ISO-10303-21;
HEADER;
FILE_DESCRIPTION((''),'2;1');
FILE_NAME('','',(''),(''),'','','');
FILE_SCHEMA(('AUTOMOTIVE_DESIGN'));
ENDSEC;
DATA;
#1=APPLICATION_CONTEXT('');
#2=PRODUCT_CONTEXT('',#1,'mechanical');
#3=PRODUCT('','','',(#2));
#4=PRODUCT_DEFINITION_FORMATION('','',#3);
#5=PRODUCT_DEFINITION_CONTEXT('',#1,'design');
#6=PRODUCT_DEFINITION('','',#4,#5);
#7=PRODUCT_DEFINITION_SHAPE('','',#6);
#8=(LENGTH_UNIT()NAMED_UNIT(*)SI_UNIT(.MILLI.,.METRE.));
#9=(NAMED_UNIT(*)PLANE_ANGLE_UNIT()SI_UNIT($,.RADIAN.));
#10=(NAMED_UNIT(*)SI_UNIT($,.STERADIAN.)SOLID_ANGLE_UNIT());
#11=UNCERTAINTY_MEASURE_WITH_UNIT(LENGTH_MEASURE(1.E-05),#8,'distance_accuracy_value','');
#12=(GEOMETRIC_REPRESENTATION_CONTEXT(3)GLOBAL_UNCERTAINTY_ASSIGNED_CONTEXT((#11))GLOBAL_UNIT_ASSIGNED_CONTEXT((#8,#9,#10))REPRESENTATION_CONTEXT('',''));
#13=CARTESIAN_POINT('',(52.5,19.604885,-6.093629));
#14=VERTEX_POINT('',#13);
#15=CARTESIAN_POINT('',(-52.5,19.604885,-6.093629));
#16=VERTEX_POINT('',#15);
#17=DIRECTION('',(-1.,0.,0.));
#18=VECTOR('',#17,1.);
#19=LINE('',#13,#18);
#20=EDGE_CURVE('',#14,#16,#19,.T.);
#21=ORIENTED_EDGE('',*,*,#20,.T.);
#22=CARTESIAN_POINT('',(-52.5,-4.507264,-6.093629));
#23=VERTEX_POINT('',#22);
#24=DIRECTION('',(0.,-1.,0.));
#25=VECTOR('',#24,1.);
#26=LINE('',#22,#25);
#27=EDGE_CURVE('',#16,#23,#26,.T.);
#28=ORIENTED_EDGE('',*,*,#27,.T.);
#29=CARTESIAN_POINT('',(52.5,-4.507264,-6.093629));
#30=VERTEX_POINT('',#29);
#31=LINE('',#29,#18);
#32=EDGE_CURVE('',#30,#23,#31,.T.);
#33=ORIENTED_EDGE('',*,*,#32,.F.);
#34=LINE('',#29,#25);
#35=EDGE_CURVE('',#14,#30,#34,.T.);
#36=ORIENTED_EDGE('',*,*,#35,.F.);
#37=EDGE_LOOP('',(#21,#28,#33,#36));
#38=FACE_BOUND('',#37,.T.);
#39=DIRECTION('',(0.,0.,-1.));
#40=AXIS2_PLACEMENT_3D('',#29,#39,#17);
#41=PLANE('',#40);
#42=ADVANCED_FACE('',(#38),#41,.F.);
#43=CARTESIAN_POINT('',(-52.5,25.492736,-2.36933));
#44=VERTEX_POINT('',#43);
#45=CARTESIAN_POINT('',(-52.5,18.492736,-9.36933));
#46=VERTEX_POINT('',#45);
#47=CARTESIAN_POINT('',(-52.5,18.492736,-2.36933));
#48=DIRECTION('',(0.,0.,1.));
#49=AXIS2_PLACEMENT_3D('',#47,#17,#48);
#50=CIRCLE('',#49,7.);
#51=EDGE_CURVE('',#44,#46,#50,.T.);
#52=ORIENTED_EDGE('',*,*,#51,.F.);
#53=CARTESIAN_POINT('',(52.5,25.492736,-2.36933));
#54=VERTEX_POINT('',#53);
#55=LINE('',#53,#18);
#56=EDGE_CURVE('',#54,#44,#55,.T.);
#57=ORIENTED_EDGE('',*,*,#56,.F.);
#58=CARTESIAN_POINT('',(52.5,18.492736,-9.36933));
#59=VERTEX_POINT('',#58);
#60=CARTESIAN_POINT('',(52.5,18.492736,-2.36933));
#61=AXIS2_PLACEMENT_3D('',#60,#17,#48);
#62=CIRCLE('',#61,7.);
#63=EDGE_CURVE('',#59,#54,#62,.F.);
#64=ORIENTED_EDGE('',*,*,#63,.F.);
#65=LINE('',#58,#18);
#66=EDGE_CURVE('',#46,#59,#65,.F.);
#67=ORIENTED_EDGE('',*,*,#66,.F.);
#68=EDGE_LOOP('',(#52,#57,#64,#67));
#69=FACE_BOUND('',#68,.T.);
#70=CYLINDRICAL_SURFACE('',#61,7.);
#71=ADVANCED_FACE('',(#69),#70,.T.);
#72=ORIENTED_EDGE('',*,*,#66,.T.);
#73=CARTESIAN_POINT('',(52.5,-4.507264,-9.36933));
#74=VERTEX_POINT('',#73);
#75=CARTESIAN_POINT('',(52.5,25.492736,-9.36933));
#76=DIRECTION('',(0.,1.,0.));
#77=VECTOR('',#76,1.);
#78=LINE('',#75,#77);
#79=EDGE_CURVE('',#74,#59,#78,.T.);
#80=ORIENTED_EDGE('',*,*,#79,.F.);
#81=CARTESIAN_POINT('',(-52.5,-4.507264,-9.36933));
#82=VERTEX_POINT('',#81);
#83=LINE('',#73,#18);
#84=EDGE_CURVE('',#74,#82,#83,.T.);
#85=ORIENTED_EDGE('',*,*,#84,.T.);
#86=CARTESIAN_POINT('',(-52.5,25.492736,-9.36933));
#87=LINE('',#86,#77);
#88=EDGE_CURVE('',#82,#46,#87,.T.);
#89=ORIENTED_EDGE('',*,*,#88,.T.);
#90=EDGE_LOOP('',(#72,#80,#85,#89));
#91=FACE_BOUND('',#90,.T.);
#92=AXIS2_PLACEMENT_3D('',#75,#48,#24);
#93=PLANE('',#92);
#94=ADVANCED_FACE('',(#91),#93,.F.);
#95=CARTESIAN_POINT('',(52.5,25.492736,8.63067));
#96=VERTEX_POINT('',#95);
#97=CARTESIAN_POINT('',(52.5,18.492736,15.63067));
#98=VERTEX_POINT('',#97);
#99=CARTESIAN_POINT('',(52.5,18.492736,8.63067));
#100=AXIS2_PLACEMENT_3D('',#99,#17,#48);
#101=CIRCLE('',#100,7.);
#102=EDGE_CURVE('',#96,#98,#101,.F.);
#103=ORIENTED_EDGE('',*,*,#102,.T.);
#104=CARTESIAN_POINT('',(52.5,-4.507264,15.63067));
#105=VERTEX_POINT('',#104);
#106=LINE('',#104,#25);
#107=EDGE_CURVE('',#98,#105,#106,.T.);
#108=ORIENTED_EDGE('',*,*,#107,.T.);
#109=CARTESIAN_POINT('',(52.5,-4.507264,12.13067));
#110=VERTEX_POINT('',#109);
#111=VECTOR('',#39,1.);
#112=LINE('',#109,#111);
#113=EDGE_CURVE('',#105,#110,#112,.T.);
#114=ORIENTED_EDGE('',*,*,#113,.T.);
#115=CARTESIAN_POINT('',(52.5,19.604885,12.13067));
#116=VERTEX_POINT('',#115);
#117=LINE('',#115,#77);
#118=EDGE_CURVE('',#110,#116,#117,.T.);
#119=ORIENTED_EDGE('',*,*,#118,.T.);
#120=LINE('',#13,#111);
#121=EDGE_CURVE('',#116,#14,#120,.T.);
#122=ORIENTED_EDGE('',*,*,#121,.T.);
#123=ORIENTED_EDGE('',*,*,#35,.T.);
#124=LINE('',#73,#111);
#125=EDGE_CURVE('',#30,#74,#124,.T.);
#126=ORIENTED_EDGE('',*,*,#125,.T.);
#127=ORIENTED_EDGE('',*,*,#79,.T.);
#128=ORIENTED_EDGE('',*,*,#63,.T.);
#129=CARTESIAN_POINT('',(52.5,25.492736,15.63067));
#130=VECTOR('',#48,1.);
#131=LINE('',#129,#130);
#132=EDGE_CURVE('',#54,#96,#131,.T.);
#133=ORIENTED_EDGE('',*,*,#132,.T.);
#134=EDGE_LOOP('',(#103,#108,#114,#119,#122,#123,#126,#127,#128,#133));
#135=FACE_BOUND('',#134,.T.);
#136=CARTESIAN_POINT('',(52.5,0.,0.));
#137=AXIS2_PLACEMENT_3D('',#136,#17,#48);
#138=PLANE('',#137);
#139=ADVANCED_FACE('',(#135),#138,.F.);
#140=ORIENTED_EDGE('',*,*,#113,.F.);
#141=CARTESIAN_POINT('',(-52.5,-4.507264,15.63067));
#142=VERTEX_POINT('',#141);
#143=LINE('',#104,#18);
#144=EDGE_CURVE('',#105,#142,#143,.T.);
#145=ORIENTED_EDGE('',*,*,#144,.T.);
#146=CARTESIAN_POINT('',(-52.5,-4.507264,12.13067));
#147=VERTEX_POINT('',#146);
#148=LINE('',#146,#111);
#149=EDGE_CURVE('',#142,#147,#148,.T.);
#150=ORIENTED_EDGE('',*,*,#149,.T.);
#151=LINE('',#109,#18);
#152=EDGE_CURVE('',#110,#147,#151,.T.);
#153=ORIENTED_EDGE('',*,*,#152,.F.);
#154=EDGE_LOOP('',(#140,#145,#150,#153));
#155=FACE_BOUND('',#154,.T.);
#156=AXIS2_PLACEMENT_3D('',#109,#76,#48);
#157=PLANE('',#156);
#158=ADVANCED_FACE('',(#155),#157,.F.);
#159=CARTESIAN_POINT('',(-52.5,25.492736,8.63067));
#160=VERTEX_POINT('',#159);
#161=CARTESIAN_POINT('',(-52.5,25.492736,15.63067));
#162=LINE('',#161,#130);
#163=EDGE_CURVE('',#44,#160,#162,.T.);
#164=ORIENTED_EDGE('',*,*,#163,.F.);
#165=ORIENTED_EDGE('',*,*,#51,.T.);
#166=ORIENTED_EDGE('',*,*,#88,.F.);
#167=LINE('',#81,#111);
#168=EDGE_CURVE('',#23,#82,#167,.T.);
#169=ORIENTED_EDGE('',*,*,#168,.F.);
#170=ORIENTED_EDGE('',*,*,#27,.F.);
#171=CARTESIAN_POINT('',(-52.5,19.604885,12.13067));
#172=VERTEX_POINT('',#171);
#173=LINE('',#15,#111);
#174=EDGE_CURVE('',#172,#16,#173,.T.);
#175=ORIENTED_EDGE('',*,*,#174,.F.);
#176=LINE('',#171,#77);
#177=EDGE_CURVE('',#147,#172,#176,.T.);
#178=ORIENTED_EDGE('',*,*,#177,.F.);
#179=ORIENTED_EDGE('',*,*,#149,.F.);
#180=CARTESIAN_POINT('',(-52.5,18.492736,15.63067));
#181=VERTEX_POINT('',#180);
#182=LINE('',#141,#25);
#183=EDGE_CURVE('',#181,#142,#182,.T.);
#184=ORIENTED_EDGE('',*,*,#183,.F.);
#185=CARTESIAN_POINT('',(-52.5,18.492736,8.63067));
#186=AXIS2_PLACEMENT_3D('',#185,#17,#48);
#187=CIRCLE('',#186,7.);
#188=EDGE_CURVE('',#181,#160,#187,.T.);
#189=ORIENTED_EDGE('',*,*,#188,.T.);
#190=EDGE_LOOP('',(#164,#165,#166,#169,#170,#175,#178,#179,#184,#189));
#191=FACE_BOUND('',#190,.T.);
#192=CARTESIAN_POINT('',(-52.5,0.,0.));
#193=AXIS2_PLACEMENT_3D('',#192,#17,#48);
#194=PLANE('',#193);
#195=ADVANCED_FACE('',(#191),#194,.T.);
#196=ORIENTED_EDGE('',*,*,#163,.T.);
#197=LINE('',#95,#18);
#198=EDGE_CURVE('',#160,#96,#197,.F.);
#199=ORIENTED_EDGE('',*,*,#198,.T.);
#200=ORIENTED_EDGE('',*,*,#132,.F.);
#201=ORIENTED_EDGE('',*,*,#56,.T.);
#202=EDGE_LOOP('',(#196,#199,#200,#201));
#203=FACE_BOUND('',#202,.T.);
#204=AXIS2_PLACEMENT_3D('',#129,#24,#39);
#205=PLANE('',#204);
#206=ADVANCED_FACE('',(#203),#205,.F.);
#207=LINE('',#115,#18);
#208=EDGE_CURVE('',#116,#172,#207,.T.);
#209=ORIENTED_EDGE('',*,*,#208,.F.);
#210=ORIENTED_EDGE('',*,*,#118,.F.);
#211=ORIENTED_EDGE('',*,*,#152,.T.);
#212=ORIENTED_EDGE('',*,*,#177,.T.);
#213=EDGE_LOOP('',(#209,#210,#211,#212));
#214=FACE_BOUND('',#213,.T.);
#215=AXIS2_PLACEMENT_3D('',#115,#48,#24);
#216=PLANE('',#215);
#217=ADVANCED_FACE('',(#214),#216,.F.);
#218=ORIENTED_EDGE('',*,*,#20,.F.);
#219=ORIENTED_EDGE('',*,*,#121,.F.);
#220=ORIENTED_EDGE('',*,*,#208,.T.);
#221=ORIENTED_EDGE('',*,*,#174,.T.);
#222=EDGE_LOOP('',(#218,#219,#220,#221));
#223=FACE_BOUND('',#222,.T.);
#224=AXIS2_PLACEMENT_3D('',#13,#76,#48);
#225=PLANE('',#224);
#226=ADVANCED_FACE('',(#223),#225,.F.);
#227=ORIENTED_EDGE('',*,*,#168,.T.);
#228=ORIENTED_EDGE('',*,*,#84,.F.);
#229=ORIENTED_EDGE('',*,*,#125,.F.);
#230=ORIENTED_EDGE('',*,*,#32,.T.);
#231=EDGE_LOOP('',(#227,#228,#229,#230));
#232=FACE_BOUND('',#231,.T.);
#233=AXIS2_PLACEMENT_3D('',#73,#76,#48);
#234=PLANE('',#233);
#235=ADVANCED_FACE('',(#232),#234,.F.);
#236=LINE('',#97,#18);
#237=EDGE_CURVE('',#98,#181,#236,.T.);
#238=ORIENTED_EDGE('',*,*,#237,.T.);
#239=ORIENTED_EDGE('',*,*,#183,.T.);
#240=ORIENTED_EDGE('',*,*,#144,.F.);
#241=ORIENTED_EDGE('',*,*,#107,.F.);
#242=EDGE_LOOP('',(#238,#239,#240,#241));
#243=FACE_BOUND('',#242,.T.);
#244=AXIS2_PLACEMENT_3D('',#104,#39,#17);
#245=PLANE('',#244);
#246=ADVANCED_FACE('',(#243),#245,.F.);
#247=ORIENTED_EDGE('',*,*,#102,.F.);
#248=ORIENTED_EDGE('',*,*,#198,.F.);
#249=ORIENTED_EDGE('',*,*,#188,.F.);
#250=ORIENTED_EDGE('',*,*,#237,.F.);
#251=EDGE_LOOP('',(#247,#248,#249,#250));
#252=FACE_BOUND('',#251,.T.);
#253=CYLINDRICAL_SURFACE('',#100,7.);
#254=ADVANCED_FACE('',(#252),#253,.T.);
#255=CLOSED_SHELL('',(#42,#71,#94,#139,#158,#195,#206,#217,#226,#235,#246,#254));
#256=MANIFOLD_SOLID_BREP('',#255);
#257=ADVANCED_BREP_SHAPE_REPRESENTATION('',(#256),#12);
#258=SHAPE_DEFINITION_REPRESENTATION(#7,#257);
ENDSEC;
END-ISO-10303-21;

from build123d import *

# Parameters (mm, degrees)
BOSS_EXTRUDE1_DEPTH = 52.5
FILLET1_R           = 7


with BuildPart() as part:
    # Sketch1 → Boss-Extrude1 (new, symmetric)
    with BuildSketch(Plane(origin=(0, 0, 0), x_dir=(0, 0, -1), z_dir=(1, 0, 0))):
        Polygon((-15.630670187, -4.507264222), (-15.630670187, 25.492735778), (9.369329813, 25.492735778), (9.369329813, -4.507264222), (6.093628879, -4.507264222), (6.093628879, 19.604885311), (-12.130670187, 19.604885311), (-12.130670187, -4.507264222), align=None)
    extrude(amount=BOSS_EXTRUDE1_DEPTH, both=True)

    # Fillet1
    fillet1_edges = [part.edges().sort_by_distance(p)[0] for p in [
        (0, 25.492735778, 15.630670187),
        (0, 25.492735778, -9.369329813),
    ]]
    fillet(fillet1_edges, radius=FILLET1_R)


solid = part.part
